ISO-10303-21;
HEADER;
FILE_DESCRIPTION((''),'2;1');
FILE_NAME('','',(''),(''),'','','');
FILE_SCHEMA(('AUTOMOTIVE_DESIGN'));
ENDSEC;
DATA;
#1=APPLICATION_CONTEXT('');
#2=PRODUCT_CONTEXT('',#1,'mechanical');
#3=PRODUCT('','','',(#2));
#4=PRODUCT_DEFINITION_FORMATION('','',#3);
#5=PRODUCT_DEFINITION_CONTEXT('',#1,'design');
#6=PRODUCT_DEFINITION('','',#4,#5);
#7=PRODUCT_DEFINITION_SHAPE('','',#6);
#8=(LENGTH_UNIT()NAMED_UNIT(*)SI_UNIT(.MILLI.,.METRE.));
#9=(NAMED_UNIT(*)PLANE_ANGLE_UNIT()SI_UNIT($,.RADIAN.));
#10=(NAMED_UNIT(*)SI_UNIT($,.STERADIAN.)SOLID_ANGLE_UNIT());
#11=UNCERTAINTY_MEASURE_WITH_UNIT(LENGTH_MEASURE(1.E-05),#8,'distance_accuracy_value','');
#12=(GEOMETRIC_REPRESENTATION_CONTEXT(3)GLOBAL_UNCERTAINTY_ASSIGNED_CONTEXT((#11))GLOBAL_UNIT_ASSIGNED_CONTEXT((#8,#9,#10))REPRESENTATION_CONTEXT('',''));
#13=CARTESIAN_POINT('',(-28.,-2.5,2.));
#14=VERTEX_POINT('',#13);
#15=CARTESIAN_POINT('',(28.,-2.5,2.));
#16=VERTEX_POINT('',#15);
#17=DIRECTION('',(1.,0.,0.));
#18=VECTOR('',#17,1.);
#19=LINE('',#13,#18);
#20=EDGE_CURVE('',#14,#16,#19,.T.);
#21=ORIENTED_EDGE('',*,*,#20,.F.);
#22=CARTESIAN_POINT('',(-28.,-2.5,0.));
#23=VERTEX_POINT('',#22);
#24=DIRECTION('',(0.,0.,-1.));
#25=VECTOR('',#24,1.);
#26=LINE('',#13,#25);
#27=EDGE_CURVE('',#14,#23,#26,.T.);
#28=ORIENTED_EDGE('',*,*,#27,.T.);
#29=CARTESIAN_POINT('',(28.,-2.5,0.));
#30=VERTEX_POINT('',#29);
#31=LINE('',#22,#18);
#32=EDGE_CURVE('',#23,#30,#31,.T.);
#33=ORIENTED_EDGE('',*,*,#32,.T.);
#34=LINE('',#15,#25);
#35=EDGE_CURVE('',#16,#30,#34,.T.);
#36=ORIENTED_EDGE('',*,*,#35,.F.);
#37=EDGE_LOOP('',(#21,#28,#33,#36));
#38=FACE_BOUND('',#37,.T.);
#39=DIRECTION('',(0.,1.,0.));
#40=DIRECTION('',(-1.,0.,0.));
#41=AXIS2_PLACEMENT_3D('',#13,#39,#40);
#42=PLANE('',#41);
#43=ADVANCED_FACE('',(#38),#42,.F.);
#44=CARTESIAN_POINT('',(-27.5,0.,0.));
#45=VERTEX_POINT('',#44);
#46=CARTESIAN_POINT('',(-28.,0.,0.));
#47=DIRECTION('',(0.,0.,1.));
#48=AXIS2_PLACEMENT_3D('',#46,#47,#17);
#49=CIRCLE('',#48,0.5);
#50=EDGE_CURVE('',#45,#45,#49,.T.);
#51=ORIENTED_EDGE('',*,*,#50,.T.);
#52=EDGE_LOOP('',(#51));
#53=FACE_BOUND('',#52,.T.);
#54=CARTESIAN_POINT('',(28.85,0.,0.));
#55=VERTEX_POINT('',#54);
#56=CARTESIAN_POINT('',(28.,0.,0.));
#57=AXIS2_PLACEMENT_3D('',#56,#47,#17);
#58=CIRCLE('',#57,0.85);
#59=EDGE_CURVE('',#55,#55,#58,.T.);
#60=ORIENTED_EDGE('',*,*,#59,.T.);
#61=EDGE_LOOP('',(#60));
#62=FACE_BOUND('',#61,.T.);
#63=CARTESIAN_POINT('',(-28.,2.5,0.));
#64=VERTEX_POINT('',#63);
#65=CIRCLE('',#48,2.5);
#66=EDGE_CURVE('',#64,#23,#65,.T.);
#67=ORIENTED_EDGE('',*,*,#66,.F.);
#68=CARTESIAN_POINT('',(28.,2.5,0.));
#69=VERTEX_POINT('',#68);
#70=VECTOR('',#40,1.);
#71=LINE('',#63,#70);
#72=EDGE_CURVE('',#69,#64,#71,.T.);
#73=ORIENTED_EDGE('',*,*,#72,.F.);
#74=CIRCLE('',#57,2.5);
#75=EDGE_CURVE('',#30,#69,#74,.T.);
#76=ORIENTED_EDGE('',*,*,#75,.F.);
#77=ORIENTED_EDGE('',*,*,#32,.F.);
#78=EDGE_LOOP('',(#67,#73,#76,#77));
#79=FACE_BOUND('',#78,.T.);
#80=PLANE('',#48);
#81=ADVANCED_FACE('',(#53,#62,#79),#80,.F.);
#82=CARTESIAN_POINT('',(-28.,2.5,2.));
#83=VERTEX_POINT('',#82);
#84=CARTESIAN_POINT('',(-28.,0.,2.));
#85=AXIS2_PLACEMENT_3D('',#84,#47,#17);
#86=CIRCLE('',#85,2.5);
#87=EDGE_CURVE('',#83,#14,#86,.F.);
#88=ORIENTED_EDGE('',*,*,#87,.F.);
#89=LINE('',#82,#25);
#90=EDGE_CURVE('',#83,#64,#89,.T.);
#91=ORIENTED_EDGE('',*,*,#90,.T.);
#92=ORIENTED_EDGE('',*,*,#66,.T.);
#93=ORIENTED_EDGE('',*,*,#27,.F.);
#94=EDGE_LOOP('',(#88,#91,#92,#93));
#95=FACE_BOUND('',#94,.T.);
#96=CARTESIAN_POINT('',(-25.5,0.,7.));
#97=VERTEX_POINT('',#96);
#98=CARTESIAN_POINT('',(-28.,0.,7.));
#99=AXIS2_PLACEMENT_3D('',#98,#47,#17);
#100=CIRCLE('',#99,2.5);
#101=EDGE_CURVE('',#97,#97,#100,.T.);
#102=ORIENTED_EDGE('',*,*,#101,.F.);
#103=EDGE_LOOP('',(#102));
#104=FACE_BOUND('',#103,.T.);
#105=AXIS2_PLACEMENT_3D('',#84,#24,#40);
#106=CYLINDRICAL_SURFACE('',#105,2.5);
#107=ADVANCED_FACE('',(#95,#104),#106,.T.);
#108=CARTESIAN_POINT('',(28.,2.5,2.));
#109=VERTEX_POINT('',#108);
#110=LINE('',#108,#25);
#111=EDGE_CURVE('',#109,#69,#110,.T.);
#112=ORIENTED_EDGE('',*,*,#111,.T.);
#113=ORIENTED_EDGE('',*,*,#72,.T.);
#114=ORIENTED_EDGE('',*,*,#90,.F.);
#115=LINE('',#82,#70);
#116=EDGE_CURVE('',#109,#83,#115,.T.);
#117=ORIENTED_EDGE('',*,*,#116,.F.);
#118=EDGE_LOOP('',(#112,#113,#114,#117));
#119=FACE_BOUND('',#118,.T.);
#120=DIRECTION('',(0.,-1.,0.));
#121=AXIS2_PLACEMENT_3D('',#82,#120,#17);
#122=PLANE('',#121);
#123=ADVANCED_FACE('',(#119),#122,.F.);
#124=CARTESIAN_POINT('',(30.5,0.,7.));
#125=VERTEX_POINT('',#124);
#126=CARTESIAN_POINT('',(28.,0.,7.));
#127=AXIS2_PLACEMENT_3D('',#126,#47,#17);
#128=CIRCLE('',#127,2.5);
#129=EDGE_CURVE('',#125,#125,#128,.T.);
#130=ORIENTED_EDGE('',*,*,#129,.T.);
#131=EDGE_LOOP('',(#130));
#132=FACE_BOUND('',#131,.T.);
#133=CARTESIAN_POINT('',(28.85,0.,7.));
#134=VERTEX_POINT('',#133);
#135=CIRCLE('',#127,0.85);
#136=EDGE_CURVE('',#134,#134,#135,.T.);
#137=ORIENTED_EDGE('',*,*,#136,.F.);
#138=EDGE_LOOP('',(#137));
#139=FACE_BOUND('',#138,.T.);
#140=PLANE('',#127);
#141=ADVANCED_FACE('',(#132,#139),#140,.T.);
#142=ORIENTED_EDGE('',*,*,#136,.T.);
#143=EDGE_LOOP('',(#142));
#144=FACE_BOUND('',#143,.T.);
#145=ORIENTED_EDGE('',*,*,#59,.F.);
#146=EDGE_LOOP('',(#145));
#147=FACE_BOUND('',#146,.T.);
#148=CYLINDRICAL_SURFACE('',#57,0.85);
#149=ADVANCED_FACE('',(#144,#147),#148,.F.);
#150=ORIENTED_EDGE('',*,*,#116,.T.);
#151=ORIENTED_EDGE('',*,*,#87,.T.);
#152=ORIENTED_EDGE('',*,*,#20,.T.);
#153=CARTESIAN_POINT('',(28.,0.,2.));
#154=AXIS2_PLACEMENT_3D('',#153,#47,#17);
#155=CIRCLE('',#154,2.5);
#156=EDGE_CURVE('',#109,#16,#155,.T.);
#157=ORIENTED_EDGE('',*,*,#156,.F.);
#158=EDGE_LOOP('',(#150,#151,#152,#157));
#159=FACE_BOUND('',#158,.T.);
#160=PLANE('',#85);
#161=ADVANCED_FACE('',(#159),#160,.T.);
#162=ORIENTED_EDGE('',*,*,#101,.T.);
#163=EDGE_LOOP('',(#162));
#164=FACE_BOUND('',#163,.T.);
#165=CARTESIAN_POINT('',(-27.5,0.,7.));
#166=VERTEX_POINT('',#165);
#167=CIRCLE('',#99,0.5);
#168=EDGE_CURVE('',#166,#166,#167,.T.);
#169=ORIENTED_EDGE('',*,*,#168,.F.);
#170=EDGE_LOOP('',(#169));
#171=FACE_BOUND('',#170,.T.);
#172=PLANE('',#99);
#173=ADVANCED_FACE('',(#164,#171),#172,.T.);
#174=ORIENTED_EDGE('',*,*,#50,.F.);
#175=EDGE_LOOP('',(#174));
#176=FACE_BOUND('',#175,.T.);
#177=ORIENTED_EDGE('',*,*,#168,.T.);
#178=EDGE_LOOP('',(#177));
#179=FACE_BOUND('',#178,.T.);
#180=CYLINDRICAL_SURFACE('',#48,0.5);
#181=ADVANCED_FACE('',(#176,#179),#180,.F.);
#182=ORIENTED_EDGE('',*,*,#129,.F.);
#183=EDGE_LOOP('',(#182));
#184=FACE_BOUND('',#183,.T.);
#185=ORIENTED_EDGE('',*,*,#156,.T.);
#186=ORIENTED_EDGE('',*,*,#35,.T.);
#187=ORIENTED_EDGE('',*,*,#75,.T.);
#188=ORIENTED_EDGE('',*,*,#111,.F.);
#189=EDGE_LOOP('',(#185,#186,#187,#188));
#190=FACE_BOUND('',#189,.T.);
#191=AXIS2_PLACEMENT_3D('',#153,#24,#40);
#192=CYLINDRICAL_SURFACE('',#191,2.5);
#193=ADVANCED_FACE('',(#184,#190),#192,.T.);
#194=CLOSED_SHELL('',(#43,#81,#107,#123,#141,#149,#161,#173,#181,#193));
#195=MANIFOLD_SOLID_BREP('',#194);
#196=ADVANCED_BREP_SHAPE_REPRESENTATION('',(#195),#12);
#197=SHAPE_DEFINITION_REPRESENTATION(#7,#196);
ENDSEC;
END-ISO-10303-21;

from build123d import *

# Parameters (mm, degrees)
RESSALTO_EXTRUS_O1_DEPTH = 2
ESBO_O3_R                = 2.5
RESSALTO_EXTRUS_O2_DEPTH = 5
ESBO_O5_R                = 2.5
RESSALTO_EXTRUS_O3_DEPTH = 5
ESBO_O2_R                = 0.5
CORTE_EXTRUS_O1_DEPTH    = 32.392674305
ESBO_O4_R                = 0.85
CORTE_EXTRUS_O2_DEPTH    = 32.392674305


with BuildPart() as part:
    # Esboço1 → Ressalto-extrusão1 (new body)
    with BuildSketch(Plane.XY):
        with BuildLine():
            Line((-28, 2.5), (28, 2.5))
            ThreePointArc((28, 2.5), (30.5, 0), (28, -2.5))
            Line((28, -2.5), (-28, -2.5))
            ThreePointArc((-28, -2.5), (-30.5, 0), (-28, 2.5))
        make_face()
    extrude(amount=RESSALTO_EXTRUS_O1_DEPTH)

    # Esboço3 → Ressalto-extrusão2 (add)
    with BuildSketch(Plane.XY.offset(2)):
        with Locations(Location((28, 0, 0), (0, 0, 90))):
            Circle(ESBO_O3_R)
    extrude(amount=RESSALTO_EXTRUS_O2_DEPTH)

    # Esboço5 → Ressalto-extrusão3 (add)
    with BuildSketch(Plane.XY.offset(2)):
        with Locations(Location((-28, 0, 0), (0, 0, 270))):
            Circle(ESBO_O5_R)
    extrude(amount=RESSALTO_EXTRUS_O3_DEPTH)

    # Esboço2 → Corte-extrusão1 (cut, through all)
    with BuildSketch(Plane.XY.offset(7)):
        with Locations((-28, 0)):
            Circle(ESBO_O2_R)
    extrude(amount=-CORTE_EXTRUS_O1_DEPTH, mode=Mode.SUBTRACT)

    # Esboço4 → Corte-extrusão2 (cut, through all)
    with BuildSketch(Plane.XY.offset(7)):
        with Locations((28, 0)):
            Circle(ESBO_O4_R)
    extrude(amount=-CORTE_EXTRUS_O2_DEPTH, mode=Mode.SUBTRACT)


solid = part.part
